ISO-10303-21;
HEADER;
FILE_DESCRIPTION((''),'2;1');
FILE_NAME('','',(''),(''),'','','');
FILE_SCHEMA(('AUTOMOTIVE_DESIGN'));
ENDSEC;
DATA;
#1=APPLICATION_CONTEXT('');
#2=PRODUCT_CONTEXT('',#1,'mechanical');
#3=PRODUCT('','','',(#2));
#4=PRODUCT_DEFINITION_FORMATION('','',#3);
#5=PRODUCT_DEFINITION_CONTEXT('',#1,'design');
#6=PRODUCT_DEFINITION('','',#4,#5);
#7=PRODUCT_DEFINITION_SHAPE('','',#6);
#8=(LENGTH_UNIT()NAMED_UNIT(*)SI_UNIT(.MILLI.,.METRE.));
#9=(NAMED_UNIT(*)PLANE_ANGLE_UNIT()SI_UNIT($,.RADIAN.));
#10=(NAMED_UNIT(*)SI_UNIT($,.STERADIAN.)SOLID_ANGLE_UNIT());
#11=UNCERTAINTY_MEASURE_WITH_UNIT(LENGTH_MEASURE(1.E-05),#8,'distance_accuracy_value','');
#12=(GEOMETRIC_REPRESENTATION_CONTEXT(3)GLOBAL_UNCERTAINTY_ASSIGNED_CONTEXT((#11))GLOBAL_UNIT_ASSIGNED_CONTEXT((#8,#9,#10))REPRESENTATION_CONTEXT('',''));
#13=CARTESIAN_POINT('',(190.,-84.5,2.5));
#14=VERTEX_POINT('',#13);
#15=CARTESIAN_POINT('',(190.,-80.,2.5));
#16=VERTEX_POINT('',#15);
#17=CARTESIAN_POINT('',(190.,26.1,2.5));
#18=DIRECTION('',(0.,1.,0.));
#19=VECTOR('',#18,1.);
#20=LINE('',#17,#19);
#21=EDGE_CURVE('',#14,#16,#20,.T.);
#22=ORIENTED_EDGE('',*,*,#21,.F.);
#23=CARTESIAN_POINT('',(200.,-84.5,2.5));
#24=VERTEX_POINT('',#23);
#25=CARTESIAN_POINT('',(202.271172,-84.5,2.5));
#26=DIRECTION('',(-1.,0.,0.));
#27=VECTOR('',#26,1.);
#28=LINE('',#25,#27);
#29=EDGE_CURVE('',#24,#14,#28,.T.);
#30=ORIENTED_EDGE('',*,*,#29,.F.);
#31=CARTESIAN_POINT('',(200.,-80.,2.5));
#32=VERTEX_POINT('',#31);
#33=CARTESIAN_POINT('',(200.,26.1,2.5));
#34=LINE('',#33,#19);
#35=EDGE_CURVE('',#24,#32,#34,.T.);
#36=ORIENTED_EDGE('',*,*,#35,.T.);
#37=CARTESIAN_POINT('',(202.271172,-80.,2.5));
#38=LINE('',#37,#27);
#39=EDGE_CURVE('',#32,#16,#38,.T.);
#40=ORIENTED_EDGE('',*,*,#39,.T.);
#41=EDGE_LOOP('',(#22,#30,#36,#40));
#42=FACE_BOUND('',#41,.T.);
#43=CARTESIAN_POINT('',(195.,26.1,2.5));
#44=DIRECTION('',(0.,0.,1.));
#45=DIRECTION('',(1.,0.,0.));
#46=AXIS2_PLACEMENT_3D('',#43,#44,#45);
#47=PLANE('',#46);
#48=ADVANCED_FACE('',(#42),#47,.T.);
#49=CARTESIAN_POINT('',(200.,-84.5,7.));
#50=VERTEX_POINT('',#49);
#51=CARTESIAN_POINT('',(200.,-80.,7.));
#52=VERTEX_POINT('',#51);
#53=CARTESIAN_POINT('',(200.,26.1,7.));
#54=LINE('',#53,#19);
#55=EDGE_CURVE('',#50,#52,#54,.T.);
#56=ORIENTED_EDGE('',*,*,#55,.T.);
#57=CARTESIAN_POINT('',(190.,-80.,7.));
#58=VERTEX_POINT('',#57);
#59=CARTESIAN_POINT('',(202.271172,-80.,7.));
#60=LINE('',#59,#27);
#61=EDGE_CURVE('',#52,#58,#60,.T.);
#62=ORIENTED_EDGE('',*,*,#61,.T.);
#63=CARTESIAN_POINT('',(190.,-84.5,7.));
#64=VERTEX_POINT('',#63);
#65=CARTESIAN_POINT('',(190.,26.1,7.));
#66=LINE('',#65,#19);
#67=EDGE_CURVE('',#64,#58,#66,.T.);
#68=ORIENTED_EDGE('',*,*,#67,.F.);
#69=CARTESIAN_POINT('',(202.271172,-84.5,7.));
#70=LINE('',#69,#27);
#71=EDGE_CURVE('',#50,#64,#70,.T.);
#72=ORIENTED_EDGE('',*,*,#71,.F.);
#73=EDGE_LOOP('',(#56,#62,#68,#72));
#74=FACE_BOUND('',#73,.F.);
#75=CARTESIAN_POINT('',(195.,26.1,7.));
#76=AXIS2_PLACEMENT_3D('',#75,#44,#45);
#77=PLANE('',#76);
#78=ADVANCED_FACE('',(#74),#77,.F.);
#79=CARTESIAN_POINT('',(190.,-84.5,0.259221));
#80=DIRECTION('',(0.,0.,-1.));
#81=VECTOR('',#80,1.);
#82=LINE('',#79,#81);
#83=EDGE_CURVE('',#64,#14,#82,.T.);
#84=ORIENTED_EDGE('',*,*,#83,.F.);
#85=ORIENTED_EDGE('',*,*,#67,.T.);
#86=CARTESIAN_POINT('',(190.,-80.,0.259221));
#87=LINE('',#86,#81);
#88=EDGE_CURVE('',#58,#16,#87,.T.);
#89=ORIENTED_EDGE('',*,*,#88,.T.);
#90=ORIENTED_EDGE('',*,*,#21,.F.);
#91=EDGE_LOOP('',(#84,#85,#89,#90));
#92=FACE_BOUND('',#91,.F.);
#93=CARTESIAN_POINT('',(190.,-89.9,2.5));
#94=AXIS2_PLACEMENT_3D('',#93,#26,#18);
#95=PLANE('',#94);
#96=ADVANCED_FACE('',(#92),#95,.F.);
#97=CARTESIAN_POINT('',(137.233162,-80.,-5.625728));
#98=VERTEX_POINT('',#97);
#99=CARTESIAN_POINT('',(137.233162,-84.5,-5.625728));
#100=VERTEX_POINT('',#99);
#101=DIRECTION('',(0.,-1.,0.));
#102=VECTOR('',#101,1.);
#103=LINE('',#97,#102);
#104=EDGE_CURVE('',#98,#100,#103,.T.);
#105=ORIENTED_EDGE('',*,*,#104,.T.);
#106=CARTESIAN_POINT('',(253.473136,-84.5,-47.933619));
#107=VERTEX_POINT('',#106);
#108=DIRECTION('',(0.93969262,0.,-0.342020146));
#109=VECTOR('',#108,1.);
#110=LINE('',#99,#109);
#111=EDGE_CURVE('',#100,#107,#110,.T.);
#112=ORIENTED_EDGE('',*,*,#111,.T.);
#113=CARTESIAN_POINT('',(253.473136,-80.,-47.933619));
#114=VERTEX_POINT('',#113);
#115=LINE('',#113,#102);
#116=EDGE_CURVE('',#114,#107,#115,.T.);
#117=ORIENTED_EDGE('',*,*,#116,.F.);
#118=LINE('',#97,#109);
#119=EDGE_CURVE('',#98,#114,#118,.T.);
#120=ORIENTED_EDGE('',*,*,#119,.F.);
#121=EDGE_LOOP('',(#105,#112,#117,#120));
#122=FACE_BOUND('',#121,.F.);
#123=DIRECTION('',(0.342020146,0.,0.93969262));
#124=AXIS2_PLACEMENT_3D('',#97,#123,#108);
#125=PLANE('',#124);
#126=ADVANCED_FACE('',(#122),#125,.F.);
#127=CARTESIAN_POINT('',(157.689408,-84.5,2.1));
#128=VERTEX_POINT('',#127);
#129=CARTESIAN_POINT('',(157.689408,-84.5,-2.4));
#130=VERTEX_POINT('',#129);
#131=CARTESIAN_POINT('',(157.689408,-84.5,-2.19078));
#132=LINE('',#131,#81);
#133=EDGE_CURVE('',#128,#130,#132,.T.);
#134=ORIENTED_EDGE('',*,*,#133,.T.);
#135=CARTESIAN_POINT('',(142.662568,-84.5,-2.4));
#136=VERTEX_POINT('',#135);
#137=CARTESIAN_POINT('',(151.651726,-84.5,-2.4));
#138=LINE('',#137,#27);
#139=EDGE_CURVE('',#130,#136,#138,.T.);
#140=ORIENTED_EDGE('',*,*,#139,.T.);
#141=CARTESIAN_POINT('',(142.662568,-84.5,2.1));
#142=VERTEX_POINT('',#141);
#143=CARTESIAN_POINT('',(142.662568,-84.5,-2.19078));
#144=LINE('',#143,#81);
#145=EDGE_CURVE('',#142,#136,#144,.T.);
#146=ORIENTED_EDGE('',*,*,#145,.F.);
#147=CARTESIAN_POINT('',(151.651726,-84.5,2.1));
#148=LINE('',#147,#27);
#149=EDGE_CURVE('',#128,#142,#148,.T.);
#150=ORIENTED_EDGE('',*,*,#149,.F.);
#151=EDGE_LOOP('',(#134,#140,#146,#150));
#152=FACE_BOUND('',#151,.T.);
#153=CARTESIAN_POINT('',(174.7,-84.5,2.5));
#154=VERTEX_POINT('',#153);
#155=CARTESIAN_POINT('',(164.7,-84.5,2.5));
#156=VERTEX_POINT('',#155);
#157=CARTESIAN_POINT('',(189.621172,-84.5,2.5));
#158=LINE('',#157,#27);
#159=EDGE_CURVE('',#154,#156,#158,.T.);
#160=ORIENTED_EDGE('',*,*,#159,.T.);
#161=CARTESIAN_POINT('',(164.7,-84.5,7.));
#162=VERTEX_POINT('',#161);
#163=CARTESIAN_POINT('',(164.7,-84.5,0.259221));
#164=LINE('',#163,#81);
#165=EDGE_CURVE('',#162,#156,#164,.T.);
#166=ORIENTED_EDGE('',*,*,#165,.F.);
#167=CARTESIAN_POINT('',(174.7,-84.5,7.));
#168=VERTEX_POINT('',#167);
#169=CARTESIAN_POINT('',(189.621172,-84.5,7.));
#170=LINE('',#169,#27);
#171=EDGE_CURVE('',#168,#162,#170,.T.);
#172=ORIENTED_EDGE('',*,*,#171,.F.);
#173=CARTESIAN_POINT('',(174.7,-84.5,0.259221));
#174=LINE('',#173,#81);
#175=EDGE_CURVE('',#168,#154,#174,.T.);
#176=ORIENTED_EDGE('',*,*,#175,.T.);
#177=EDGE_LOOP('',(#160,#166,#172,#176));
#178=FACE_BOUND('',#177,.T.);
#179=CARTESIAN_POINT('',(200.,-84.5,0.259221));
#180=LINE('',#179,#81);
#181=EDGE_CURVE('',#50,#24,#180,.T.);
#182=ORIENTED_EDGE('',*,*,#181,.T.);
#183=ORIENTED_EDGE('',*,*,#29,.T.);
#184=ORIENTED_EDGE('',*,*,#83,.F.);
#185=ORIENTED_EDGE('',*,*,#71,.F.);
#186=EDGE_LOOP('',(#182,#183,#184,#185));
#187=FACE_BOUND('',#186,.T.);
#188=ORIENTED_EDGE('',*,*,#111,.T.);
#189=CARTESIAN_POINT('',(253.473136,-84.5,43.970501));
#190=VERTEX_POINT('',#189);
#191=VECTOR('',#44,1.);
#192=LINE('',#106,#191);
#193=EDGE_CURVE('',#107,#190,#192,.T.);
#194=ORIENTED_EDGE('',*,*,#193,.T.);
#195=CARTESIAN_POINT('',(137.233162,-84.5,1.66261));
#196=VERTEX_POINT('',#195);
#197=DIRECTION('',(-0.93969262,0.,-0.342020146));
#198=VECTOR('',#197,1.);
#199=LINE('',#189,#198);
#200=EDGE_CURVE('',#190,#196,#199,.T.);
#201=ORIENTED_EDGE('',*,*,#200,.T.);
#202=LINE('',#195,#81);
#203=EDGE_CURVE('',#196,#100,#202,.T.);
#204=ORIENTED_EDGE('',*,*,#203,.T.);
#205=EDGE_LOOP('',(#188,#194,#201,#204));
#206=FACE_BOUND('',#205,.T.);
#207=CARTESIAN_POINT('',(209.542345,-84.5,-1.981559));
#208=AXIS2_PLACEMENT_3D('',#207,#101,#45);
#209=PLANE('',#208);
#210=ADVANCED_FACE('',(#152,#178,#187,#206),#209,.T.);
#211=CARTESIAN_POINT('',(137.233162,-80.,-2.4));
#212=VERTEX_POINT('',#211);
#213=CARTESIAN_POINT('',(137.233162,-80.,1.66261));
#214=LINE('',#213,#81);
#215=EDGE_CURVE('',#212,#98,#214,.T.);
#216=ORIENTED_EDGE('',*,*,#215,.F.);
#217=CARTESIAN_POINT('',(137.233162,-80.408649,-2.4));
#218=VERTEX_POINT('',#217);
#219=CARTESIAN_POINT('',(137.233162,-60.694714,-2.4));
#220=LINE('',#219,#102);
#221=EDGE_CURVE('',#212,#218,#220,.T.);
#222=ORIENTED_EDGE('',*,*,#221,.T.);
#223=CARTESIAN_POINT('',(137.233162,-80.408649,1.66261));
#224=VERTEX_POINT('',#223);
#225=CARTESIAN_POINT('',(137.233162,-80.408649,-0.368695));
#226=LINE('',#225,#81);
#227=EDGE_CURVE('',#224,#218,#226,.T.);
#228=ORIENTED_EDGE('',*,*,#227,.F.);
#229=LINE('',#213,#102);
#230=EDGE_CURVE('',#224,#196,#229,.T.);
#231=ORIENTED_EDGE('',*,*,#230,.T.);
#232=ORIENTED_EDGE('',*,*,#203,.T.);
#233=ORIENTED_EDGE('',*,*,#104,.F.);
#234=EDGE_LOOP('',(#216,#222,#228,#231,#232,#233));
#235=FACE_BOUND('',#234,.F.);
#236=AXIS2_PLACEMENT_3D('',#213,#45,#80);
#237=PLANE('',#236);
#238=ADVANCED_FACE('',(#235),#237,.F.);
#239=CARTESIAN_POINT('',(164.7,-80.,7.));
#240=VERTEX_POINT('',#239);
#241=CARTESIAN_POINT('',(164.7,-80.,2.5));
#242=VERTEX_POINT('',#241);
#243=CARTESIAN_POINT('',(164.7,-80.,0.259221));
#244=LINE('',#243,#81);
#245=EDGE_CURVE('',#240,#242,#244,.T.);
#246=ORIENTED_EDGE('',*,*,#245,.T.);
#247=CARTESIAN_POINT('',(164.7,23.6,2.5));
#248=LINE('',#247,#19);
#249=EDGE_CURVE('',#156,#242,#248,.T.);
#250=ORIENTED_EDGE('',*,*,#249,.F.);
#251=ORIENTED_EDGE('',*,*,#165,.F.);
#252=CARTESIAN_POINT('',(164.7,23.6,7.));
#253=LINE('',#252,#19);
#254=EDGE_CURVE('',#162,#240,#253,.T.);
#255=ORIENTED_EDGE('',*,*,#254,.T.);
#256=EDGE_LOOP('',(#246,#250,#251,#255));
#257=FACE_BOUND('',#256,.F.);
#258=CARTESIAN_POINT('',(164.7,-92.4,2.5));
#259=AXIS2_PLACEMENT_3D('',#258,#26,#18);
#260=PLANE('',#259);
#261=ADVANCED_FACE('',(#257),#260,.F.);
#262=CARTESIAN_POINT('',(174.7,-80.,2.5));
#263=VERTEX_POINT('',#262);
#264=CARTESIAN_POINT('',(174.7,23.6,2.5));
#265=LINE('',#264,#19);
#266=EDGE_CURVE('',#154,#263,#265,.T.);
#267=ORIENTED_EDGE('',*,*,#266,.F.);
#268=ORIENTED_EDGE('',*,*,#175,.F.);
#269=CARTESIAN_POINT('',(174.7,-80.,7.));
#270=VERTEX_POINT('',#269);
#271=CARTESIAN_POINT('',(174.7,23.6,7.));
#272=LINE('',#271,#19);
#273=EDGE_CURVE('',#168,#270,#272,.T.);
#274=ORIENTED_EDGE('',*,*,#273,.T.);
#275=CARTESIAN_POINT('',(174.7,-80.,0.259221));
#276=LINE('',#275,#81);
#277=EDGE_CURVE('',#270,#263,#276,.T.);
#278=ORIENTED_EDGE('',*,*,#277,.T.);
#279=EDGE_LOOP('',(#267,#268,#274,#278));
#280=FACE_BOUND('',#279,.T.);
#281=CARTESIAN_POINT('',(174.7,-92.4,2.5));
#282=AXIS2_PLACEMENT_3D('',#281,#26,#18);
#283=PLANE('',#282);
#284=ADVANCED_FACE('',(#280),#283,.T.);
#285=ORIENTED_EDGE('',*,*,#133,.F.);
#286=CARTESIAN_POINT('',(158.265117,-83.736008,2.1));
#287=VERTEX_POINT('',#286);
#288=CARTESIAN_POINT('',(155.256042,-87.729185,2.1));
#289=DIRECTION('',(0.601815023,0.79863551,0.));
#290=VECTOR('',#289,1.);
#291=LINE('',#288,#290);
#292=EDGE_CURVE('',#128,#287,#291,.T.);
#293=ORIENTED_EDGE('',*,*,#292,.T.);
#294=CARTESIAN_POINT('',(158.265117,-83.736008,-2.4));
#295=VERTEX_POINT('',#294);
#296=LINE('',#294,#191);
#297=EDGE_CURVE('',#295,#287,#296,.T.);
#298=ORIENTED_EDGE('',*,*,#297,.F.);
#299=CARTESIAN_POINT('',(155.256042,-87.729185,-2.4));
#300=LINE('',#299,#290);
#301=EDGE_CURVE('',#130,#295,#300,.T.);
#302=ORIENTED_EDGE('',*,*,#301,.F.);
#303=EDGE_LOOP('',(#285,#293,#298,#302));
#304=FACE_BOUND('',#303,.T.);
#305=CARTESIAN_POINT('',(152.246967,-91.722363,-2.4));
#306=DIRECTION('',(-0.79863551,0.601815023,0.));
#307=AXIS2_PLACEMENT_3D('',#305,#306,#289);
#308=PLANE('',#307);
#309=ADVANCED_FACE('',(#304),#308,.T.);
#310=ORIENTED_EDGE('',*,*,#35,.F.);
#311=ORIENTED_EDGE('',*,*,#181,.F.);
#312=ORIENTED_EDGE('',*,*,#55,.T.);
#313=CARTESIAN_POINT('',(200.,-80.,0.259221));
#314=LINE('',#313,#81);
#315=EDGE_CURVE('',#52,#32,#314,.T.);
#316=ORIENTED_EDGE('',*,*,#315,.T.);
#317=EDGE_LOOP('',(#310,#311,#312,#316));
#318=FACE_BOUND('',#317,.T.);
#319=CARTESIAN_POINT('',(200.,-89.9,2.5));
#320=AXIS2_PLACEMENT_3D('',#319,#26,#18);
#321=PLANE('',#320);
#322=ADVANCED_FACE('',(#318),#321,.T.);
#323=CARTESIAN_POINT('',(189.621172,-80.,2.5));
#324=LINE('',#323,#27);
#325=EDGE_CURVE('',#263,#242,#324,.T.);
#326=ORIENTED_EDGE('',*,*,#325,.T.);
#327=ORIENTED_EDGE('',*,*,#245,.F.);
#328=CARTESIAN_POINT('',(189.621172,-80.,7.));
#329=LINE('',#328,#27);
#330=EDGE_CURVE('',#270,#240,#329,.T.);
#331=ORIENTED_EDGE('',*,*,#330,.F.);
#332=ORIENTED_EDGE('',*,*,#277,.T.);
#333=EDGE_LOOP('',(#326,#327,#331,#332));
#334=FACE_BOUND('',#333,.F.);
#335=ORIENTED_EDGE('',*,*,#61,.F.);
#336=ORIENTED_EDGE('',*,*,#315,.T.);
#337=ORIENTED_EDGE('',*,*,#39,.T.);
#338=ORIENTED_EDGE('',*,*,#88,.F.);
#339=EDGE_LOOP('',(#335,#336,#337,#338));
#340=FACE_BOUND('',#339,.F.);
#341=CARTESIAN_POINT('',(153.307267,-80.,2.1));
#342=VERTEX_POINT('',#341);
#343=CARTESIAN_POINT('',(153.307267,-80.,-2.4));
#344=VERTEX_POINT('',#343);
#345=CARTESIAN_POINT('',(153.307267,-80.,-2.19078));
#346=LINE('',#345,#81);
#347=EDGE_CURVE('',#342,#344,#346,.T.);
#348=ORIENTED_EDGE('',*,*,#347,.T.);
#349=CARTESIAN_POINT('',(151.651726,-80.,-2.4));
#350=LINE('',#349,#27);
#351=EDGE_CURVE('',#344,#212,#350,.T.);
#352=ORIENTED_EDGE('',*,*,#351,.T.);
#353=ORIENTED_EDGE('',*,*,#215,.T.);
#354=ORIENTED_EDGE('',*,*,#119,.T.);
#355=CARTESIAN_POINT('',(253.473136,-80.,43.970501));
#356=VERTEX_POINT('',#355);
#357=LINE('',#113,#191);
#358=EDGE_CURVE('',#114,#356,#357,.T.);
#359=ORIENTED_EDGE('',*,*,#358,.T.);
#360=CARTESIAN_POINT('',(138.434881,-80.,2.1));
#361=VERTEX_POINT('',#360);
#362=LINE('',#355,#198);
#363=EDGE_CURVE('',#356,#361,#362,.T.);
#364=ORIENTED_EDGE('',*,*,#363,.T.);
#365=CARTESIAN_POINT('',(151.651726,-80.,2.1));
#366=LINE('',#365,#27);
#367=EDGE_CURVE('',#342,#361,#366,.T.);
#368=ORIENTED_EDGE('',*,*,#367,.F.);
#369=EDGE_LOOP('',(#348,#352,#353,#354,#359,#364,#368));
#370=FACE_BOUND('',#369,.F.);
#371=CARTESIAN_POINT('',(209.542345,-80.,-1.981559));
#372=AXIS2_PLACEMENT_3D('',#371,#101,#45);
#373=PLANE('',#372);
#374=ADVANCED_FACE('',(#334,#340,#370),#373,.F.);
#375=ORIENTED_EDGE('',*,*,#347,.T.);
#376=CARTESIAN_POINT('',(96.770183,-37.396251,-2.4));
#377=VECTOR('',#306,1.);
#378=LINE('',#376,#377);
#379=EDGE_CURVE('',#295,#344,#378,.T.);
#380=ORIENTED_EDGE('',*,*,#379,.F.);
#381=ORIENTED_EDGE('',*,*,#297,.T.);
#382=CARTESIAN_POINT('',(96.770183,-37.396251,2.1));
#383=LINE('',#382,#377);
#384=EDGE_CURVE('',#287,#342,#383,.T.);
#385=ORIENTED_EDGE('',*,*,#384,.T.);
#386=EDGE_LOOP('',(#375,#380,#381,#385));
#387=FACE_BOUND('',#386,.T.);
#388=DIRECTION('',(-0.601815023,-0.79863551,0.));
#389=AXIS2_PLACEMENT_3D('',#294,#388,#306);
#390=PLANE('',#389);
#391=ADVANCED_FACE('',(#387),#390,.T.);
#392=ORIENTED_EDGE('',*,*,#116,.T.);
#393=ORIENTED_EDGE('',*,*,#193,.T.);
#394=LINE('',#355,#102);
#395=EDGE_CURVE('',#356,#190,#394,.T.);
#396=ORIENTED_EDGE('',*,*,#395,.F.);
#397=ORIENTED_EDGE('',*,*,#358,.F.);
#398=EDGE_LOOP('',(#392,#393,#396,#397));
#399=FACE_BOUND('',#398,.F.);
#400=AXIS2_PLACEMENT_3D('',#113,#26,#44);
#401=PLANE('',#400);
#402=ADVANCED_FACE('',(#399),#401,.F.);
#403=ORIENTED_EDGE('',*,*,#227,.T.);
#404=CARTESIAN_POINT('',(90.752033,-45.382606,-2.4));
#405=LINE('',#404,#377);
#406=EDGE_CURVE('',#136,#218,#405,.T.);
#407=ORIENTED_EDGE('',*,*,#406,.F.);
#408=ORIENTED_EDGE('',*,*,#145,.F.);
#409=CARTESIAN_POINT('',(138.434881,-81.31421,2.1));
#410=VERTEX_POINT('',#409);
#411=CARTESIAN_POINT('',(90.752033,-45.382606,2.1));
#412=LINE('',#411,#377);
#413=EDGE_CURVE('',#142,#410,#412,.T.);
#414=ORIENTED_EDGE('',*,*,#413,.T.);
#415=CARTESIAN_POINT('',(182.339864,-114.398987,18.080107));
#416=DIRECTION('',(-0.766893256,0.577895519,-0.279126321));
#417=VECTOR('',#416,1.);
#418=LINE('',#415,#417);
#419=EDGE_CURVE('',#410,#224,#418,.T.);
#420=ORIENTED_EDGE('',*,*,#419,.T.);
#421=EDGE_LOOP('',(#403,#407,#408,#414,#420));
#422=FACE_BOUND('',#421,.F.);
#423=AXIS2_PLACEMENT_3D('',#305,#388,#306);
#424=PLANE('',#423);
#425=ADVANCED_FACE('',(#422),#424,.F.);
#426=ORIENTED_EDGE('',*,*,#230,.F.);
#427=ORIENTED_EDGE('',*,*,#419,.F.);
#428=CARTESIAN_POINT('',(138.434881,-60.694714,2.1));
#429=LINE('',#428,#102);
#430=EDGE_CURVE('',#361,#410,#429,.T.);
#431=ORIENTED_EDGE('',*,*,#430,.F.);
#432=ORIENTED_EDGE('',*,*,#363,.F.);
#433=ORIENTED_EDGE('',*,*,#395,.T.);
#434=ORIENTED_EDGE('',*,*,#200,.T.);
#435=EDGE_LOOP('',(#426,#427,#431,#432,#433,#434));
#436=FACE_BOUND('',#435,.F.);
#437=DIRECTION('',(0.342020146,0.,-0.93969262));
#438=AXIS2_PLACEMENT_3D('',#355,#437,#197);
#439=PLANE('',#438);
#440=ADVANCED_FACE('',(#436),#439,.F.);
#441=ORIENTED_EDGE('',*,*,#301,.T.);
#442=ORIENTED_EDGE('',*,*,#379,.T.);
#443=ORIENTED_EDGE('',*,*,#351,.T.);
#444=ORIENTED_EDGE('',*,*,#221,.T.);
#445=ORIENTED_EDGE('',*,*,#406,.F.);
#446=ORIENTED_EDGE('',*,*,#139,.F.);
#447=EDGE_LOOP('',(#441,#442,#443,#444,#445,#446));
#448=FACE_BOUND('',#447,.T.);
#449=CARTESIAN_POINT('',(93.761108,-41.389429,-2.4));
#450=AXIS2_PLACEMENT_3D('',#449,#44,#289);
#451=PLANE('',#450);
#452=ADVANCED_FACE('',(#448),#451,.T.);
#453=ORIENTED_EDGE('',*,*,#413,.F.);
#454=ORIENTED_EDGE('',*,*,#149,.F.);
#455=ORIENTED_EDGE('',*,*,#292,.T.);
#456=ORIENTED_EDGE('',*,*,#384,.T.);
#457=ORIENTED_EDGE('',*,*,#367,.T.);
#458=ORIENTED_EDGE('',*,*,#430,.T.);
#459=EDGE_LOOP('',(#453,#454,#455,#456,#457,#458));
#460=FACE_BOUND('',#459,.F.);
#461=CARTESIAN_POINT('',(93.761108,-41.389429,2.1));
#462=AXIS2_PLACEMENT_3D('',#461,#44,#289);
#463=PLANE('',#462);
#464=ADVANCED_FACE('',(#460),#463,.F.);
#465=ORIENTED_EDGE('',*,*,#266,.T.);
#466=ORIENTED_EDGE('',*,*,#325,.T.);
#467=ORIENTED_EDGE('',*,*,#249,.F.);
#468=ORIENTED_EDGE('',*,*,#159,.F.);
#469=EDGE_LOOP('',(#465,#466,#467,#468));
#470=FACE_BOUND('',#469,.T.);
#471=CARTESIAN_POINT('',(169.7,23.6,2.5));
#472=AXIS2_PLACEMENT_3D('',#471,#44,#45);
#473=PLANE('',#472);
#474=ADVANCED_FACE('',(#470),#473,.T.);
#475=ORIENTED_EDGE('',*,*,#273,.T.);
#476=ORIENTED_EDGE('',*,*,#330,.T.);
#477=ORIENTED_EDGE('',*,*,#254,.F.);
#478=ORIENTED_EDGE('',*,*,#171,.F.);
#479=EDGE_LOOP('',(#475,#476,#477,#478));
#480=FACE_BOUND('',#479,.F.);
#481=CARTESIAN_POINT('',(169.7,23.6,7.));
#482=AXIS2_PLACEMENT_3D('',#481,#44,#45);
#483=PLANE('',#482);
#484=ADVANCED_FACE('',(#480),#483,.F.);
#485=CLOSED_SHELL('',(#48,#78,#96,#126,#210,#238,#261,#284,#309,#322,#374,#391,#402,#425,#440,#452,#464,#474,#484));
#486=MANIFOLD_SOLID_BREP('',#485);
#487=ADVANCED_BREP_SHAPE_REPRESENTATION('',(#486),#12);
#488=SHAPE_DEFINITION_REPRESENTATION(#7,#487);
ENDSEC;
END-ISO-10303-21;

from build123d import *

# Parameters (mm, degrees)
BOX005_W               = 10
BOX005_H               = 154
BOX005_DEPTH           = 4.5
BOX005_PLACEMENT_ANGLE = 53
BOX001_W               = 10
BOX001_H               = 232
BOX001_DEPTH           = 4.5
BOX_W                  = 10
BOX_H                  = 232
BOX_DEPTH              = 4.5
PAD_DEPTH              = 4.5


with BuildPart() as left_front_spar:
    # Box005 → Box005 (new body)
    with BuildSketch(Plane.XY):
        with Locations((5, 77)):
            Rectangle(BOX005_W, BOX005_H)
    extrude(amount=BOX005_DEPTH)


with BuildPart() as left_front_spar_1:
    # Box005 placement: moved
    add(left_front_spar.part.moved(Location((152.246967, -91.722363, -2.4))).rotate(Axis((152.246967, -91.722363, -2.4), (0, 0, 1)), BOX005_PLACEMENT_ANGLE))


with BuildPart() as cube001:
    # Box001 → Box001 (new body)
    with BuildSketch(Plane(origin=(164.7, -92.4, 2.5), x_dir=(1, 0, 0), z_dir=(0, 0, 1))):
        with Locations((5, 116)):
            Rectangle(BOX001_W, BOX001_H)
    extrude(amount=BOX001_DEPTH)


with BuildPart() as cube:
    # Box → Box (new body)
    with BuildSketch(Plane(origin=(190, -89.9, 2.5), x_dir=(1, 0, 0), z_dir=(0, 0, 1))):
        with Locations((5, 116)):
            Rectangle(BOX_W, BOX_H)
    extrude(amount=BOX_DEPTH)


with BuildPart() as cut029:
    # Sketch → Pad (new body)
    with BuildSketch(Plane.XZ):
        Polygon((-112.766838, 5.66261), (-112.766838, -1.625728), (3.473136, -43.933619), (3.473136, 47.970501), align=None)
    extrude(amount=PAD_DEPTH)


with BuildPart() as cut029_1:
    # Body placement: moved
    add(cut029.part.moved(Location((250, -80, -4))))

    # Cut010: cut Cube
    add(cube.part, mode=Mode.SUBTRACT)

    # Cut022: cut Cube001
    add(cube001.part, mode=Mode.SUBTRACT)

    # Cut029: cut left front spar
    add(left_front_spar_1.part, mode=Mode.SUBTRACT)


solid = cut029_1.part
